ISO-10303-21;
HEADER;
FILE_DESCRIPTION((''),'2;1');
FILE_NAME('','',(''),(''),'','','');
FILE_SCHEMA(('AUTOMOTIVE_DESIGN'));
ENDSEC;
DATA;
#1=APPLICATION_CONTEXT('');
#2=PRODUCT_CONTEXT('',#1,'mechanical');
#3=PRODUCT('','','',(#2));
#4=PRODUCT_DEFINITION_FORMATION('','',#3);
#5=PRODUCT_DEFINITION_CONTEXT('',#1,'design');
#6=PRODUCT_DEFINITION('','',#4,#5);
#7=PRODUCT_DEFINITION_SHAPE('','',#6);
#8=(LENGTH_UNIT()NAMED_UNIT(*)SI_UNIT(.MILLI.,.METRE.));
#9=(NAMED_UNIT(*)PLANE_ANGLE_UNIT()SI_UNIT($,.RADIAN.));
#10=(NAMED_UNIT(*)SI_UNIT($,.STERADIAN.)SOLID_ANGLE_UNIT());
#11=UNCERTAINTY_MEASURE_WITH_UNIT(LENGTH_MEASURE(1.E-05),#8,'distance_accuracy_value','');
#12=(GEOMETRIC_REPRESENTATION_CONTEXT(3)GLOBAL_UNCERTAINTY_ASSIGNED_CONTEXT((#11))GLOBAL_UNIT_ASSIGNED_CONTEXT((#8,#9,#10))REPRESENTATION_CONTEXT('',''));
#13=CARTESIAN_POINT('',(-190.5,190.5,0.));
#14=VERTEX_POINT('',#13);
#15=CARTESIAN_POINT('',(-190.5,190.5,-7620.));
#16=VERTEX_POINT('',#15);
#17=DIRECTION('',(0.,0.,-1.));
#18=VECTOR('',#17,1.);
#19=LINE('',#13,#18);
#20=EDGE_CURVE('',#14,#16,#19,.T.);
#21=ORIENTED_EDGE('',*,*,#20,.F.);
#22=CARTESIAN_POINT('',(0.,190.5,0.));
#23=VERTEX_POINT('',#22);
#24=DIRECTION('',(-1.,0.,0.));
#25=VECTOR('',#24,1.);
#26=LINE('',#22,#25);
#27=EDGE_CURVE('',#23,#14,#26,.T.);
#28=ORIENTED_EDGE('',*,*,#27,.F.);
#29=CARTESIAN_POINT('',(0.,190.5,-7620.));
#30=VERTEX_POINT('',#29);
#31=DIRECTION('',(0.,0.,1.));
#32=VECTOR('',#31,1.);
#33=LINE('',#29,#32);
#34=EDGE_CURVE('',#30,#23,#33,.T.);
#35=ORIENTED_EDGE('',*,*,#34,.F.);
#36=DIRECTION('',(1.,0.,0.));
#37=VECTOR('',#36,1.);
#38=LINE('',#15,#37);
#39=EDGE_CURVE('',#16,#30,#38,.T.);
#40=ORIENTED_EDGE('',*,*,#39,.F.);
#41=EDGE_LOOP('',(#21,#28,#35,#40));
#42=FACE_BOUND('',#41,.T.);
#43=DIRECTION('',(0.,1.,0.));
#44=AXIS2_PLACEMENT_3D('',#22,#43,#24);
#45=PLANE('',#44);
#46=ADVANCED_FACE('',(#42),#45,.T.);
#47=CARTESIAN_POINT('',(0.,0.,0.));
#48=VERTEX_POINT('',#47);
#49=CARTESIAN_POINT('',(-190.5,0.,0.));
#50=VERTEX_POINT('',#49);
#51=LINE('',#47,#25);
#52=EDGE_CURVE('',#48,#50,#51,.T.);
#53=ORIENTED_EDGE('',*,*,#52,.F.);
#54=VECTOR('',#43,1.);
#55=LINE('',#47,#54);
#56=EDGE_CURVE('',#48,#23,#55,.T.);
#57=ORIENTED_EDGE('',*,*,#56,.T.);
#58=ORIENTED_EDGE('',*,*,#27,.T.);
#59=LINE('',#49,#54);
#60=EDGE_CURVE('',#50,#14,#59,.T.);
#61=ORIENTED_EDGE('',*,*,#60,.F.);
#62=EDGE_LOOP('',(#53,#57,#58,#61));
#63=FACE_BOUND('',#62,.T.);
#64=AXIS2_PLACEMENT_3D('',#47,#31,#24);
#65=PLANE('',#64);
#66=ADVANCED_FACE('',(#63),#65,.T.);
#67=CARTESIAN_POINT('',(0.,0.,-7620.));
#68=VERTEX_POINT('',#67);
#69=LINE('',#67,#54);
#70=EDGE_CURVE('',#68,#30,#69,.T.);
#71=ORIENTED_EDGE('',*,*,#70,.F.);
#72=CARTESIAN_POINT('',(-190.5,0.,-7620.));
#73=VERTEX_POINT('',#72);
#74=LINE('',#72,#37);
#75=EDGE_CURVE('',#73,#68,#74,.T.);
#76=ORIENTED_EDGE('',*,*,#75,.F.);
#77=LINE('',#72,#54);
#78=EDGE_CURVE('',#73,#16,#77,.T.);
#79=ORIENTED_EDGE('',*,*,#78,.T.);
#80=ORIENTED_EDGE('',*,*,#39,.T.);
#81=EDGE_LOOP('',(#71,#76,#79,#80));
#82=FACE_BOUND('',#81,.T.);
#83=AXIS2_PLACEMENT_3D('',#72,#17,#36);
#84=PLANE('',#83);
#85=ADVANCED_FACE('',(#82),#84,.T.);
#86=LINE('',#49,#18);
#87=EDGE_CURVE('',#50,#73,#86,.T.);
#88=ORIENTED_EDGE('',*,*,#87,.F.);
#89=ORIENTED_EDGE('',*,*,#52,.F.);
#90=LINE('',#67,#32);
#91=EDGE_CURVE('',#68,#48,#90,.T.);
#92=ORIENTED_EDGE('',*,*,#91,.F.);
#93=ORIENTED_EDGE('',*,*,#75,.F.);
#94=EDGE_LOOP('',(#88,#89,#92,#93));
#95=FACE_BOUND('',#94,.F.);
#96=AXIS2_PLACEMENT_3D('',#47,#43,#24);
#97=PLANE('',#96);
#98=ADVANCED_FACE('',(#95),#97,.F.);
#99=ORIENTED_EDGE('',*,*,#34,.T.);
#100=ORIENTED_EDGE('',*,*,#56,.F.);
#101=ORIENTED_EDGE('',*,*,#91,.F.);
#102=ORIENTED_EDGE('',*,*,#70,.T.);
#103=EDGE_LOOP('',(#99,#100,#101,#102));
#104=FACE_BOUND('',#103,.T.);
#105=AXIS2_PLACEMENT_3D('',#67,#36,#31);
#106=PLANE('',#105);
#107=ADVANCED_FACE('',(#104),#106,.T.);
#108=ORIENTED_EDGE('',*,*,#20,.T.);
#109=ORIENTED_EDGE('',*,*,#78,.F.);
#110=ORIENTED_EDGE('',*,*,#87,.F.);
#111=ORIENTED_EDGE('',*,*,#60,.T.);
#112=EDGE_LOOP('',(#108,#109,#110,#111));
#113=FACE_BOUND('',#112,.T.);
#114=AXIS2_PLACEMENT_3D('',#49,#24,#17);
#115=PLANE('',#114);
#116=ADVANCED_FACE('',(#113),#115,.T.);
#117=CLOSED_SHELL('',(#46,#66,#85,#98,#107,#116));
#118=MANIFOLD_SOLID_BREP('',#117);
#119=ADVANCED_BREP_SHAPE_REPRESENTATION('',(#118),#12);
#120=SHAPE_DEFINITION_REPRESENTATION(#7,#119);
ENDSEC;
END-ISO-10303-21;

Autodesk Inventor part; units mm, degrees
ref_plane "YZ Plane" through (0, 0, 0) normal (1, 0, 0) x (0, 1, 0)
ref_plane "XZ Plane" through (0, 0, 0) normal (0, 1, 0) x (-1, 0, 0)
ref_plane "XY Plane" through (0, 0, 0) normal (0, 0, 1) x (1, 0, 0)
sketch "Sketch1" plane through (0, 0, 0) normal (0, 1, 0) x (-1, 0, 0)
  line L0 (0, 0) -> (190.5, 0)
  line L1 (190.5, 0) -> (190.5, -7620)
  line L2 (190.5, -7620) -> (0, -7620)
  line L3 (0, -7620) -> (0, 0)
  dimension "d0" = 7620
  dimension "d1" = 190.5
extrude "Extrusion1" add sketch "Sketch1" along normal blind 190.5
properties part number "Beam" material "Steel"
